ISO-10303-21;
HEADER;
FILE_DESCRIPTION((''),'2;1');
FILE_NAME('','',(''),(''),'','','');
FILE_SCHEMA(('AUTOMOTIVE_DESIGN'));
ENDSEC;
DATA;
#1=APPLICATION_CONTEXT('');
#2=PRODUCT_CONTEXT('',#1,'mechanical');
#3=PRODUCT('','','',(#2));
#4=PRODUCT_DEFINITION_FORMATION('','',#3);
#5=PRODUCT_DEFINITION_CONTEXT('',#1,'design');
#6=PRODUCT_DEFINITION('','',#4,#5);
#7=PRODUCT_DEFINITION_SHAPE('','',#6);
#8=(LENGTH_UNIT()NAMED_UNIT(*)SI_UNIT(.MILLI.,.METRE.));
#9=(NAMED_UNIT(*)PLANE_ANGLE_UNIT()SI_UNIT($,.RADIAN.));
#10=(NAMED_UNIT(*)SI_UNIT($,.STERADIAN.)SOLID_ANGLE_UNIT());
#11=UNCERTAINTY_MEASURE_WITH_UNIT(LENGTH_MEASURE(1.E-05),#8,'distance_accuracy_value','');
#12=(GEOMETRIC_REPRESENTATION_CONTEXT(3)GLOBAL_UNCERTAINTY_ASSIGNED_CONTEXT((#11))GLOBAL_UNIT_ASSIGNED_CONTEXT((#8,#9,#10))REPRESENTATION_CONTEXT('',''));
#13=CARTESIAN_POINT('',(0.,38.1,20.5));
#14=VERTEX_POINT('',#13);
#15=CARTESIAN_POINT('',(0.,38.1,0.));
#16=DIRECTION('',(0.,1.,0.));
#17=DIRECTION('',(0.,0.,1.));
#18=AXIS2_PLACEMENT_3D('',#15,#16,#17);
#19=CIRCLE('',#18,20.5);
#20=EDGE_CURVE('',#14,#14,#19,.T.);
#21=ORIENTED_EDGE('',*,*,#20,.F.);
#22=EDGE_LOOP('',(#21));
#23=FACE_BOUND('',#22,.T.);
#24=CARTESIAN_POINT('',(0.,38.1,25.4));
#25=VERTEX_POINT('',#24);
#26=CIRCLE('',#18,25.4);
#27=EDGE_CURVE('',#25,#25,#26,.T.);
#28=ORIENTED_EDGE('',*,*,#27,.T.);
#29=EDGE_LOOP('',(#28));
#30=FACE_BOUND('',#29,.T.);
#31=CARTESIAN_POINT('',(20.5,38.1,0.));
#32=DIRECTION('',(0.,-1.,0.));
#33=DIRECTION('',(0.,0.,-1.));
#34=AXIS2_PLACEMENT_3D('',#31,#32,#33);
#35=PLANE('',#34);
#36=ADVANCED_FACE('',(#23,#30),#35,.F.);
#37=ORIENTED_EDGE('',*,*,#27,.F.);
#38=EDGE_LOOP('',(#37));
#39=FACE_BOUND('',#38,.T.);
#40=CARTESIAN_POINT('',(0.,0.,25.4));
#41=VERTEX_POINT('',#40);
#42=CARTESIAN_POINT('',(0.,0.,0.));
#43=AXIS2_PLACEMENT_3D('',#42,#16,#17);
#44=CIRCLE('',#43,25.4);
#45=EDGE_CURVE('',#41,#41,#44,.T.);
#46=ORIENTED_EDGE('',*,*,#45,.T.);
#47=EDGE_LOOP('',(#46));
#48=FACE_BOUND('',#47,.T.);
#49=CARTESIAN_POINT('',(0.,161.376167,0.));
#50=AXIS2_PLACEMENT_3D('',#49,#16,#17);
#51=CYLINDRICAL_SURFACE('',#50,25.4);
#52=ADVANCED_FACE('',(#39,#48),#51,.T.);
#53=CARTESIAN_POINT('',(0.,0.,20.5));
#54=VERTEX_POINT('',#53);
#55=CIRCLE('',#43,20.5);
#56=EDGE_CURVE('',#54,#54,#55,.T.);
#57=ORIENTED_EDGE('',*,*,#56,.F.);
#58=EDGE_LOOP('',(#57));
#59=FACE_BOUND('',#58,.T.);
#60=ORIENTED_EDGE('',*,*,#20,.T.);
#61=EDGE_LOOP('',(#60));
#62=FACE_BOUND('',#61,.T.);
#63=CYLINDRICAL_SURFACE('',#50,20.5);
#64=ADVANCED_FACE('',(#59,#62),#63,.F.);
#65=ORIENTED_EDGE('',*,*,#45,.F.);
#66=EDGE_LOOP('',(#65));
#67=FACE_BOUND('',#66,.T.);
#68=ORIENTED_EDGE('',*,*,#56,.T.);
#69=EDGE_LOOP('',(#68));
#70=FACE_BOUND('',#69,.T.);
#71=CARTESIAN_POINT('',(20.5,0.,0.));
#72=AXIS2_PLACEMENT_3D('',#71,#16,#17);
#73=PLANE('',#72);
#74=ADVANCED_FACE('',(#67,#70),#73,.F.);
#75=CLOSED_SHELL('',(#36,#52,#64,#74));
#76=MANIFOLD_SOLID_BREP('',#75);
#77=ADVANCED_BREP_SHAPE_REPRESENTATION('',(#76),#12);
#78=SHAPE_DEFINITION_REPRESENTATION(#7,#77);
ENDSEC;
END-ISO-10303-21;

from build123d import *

# Parameters (mm, degrees)
SKETCH_1_W = 4.9
SKETCH_1_H = 38.1


with BuildPart() as part:
    # 草图1 → 旋转1 (revolve)
    with BuildSketch(Plane.XY, mode=Mode.PRIVATE) as revolve_1_sk:
        with Locations((22.95, 19.05)):
            Rectangle(SKETCH_1_W, SKETCH_1_H)
    revolve(revolve_1_sk.sketch.rotate(Axis((0, 161.376166943, 0), (0, -1, 0)), 90), axis=Axis((0, 161.376166943, 0), (0, -1, 0)))  # turned: the seam where the file's is


solid = part.part
